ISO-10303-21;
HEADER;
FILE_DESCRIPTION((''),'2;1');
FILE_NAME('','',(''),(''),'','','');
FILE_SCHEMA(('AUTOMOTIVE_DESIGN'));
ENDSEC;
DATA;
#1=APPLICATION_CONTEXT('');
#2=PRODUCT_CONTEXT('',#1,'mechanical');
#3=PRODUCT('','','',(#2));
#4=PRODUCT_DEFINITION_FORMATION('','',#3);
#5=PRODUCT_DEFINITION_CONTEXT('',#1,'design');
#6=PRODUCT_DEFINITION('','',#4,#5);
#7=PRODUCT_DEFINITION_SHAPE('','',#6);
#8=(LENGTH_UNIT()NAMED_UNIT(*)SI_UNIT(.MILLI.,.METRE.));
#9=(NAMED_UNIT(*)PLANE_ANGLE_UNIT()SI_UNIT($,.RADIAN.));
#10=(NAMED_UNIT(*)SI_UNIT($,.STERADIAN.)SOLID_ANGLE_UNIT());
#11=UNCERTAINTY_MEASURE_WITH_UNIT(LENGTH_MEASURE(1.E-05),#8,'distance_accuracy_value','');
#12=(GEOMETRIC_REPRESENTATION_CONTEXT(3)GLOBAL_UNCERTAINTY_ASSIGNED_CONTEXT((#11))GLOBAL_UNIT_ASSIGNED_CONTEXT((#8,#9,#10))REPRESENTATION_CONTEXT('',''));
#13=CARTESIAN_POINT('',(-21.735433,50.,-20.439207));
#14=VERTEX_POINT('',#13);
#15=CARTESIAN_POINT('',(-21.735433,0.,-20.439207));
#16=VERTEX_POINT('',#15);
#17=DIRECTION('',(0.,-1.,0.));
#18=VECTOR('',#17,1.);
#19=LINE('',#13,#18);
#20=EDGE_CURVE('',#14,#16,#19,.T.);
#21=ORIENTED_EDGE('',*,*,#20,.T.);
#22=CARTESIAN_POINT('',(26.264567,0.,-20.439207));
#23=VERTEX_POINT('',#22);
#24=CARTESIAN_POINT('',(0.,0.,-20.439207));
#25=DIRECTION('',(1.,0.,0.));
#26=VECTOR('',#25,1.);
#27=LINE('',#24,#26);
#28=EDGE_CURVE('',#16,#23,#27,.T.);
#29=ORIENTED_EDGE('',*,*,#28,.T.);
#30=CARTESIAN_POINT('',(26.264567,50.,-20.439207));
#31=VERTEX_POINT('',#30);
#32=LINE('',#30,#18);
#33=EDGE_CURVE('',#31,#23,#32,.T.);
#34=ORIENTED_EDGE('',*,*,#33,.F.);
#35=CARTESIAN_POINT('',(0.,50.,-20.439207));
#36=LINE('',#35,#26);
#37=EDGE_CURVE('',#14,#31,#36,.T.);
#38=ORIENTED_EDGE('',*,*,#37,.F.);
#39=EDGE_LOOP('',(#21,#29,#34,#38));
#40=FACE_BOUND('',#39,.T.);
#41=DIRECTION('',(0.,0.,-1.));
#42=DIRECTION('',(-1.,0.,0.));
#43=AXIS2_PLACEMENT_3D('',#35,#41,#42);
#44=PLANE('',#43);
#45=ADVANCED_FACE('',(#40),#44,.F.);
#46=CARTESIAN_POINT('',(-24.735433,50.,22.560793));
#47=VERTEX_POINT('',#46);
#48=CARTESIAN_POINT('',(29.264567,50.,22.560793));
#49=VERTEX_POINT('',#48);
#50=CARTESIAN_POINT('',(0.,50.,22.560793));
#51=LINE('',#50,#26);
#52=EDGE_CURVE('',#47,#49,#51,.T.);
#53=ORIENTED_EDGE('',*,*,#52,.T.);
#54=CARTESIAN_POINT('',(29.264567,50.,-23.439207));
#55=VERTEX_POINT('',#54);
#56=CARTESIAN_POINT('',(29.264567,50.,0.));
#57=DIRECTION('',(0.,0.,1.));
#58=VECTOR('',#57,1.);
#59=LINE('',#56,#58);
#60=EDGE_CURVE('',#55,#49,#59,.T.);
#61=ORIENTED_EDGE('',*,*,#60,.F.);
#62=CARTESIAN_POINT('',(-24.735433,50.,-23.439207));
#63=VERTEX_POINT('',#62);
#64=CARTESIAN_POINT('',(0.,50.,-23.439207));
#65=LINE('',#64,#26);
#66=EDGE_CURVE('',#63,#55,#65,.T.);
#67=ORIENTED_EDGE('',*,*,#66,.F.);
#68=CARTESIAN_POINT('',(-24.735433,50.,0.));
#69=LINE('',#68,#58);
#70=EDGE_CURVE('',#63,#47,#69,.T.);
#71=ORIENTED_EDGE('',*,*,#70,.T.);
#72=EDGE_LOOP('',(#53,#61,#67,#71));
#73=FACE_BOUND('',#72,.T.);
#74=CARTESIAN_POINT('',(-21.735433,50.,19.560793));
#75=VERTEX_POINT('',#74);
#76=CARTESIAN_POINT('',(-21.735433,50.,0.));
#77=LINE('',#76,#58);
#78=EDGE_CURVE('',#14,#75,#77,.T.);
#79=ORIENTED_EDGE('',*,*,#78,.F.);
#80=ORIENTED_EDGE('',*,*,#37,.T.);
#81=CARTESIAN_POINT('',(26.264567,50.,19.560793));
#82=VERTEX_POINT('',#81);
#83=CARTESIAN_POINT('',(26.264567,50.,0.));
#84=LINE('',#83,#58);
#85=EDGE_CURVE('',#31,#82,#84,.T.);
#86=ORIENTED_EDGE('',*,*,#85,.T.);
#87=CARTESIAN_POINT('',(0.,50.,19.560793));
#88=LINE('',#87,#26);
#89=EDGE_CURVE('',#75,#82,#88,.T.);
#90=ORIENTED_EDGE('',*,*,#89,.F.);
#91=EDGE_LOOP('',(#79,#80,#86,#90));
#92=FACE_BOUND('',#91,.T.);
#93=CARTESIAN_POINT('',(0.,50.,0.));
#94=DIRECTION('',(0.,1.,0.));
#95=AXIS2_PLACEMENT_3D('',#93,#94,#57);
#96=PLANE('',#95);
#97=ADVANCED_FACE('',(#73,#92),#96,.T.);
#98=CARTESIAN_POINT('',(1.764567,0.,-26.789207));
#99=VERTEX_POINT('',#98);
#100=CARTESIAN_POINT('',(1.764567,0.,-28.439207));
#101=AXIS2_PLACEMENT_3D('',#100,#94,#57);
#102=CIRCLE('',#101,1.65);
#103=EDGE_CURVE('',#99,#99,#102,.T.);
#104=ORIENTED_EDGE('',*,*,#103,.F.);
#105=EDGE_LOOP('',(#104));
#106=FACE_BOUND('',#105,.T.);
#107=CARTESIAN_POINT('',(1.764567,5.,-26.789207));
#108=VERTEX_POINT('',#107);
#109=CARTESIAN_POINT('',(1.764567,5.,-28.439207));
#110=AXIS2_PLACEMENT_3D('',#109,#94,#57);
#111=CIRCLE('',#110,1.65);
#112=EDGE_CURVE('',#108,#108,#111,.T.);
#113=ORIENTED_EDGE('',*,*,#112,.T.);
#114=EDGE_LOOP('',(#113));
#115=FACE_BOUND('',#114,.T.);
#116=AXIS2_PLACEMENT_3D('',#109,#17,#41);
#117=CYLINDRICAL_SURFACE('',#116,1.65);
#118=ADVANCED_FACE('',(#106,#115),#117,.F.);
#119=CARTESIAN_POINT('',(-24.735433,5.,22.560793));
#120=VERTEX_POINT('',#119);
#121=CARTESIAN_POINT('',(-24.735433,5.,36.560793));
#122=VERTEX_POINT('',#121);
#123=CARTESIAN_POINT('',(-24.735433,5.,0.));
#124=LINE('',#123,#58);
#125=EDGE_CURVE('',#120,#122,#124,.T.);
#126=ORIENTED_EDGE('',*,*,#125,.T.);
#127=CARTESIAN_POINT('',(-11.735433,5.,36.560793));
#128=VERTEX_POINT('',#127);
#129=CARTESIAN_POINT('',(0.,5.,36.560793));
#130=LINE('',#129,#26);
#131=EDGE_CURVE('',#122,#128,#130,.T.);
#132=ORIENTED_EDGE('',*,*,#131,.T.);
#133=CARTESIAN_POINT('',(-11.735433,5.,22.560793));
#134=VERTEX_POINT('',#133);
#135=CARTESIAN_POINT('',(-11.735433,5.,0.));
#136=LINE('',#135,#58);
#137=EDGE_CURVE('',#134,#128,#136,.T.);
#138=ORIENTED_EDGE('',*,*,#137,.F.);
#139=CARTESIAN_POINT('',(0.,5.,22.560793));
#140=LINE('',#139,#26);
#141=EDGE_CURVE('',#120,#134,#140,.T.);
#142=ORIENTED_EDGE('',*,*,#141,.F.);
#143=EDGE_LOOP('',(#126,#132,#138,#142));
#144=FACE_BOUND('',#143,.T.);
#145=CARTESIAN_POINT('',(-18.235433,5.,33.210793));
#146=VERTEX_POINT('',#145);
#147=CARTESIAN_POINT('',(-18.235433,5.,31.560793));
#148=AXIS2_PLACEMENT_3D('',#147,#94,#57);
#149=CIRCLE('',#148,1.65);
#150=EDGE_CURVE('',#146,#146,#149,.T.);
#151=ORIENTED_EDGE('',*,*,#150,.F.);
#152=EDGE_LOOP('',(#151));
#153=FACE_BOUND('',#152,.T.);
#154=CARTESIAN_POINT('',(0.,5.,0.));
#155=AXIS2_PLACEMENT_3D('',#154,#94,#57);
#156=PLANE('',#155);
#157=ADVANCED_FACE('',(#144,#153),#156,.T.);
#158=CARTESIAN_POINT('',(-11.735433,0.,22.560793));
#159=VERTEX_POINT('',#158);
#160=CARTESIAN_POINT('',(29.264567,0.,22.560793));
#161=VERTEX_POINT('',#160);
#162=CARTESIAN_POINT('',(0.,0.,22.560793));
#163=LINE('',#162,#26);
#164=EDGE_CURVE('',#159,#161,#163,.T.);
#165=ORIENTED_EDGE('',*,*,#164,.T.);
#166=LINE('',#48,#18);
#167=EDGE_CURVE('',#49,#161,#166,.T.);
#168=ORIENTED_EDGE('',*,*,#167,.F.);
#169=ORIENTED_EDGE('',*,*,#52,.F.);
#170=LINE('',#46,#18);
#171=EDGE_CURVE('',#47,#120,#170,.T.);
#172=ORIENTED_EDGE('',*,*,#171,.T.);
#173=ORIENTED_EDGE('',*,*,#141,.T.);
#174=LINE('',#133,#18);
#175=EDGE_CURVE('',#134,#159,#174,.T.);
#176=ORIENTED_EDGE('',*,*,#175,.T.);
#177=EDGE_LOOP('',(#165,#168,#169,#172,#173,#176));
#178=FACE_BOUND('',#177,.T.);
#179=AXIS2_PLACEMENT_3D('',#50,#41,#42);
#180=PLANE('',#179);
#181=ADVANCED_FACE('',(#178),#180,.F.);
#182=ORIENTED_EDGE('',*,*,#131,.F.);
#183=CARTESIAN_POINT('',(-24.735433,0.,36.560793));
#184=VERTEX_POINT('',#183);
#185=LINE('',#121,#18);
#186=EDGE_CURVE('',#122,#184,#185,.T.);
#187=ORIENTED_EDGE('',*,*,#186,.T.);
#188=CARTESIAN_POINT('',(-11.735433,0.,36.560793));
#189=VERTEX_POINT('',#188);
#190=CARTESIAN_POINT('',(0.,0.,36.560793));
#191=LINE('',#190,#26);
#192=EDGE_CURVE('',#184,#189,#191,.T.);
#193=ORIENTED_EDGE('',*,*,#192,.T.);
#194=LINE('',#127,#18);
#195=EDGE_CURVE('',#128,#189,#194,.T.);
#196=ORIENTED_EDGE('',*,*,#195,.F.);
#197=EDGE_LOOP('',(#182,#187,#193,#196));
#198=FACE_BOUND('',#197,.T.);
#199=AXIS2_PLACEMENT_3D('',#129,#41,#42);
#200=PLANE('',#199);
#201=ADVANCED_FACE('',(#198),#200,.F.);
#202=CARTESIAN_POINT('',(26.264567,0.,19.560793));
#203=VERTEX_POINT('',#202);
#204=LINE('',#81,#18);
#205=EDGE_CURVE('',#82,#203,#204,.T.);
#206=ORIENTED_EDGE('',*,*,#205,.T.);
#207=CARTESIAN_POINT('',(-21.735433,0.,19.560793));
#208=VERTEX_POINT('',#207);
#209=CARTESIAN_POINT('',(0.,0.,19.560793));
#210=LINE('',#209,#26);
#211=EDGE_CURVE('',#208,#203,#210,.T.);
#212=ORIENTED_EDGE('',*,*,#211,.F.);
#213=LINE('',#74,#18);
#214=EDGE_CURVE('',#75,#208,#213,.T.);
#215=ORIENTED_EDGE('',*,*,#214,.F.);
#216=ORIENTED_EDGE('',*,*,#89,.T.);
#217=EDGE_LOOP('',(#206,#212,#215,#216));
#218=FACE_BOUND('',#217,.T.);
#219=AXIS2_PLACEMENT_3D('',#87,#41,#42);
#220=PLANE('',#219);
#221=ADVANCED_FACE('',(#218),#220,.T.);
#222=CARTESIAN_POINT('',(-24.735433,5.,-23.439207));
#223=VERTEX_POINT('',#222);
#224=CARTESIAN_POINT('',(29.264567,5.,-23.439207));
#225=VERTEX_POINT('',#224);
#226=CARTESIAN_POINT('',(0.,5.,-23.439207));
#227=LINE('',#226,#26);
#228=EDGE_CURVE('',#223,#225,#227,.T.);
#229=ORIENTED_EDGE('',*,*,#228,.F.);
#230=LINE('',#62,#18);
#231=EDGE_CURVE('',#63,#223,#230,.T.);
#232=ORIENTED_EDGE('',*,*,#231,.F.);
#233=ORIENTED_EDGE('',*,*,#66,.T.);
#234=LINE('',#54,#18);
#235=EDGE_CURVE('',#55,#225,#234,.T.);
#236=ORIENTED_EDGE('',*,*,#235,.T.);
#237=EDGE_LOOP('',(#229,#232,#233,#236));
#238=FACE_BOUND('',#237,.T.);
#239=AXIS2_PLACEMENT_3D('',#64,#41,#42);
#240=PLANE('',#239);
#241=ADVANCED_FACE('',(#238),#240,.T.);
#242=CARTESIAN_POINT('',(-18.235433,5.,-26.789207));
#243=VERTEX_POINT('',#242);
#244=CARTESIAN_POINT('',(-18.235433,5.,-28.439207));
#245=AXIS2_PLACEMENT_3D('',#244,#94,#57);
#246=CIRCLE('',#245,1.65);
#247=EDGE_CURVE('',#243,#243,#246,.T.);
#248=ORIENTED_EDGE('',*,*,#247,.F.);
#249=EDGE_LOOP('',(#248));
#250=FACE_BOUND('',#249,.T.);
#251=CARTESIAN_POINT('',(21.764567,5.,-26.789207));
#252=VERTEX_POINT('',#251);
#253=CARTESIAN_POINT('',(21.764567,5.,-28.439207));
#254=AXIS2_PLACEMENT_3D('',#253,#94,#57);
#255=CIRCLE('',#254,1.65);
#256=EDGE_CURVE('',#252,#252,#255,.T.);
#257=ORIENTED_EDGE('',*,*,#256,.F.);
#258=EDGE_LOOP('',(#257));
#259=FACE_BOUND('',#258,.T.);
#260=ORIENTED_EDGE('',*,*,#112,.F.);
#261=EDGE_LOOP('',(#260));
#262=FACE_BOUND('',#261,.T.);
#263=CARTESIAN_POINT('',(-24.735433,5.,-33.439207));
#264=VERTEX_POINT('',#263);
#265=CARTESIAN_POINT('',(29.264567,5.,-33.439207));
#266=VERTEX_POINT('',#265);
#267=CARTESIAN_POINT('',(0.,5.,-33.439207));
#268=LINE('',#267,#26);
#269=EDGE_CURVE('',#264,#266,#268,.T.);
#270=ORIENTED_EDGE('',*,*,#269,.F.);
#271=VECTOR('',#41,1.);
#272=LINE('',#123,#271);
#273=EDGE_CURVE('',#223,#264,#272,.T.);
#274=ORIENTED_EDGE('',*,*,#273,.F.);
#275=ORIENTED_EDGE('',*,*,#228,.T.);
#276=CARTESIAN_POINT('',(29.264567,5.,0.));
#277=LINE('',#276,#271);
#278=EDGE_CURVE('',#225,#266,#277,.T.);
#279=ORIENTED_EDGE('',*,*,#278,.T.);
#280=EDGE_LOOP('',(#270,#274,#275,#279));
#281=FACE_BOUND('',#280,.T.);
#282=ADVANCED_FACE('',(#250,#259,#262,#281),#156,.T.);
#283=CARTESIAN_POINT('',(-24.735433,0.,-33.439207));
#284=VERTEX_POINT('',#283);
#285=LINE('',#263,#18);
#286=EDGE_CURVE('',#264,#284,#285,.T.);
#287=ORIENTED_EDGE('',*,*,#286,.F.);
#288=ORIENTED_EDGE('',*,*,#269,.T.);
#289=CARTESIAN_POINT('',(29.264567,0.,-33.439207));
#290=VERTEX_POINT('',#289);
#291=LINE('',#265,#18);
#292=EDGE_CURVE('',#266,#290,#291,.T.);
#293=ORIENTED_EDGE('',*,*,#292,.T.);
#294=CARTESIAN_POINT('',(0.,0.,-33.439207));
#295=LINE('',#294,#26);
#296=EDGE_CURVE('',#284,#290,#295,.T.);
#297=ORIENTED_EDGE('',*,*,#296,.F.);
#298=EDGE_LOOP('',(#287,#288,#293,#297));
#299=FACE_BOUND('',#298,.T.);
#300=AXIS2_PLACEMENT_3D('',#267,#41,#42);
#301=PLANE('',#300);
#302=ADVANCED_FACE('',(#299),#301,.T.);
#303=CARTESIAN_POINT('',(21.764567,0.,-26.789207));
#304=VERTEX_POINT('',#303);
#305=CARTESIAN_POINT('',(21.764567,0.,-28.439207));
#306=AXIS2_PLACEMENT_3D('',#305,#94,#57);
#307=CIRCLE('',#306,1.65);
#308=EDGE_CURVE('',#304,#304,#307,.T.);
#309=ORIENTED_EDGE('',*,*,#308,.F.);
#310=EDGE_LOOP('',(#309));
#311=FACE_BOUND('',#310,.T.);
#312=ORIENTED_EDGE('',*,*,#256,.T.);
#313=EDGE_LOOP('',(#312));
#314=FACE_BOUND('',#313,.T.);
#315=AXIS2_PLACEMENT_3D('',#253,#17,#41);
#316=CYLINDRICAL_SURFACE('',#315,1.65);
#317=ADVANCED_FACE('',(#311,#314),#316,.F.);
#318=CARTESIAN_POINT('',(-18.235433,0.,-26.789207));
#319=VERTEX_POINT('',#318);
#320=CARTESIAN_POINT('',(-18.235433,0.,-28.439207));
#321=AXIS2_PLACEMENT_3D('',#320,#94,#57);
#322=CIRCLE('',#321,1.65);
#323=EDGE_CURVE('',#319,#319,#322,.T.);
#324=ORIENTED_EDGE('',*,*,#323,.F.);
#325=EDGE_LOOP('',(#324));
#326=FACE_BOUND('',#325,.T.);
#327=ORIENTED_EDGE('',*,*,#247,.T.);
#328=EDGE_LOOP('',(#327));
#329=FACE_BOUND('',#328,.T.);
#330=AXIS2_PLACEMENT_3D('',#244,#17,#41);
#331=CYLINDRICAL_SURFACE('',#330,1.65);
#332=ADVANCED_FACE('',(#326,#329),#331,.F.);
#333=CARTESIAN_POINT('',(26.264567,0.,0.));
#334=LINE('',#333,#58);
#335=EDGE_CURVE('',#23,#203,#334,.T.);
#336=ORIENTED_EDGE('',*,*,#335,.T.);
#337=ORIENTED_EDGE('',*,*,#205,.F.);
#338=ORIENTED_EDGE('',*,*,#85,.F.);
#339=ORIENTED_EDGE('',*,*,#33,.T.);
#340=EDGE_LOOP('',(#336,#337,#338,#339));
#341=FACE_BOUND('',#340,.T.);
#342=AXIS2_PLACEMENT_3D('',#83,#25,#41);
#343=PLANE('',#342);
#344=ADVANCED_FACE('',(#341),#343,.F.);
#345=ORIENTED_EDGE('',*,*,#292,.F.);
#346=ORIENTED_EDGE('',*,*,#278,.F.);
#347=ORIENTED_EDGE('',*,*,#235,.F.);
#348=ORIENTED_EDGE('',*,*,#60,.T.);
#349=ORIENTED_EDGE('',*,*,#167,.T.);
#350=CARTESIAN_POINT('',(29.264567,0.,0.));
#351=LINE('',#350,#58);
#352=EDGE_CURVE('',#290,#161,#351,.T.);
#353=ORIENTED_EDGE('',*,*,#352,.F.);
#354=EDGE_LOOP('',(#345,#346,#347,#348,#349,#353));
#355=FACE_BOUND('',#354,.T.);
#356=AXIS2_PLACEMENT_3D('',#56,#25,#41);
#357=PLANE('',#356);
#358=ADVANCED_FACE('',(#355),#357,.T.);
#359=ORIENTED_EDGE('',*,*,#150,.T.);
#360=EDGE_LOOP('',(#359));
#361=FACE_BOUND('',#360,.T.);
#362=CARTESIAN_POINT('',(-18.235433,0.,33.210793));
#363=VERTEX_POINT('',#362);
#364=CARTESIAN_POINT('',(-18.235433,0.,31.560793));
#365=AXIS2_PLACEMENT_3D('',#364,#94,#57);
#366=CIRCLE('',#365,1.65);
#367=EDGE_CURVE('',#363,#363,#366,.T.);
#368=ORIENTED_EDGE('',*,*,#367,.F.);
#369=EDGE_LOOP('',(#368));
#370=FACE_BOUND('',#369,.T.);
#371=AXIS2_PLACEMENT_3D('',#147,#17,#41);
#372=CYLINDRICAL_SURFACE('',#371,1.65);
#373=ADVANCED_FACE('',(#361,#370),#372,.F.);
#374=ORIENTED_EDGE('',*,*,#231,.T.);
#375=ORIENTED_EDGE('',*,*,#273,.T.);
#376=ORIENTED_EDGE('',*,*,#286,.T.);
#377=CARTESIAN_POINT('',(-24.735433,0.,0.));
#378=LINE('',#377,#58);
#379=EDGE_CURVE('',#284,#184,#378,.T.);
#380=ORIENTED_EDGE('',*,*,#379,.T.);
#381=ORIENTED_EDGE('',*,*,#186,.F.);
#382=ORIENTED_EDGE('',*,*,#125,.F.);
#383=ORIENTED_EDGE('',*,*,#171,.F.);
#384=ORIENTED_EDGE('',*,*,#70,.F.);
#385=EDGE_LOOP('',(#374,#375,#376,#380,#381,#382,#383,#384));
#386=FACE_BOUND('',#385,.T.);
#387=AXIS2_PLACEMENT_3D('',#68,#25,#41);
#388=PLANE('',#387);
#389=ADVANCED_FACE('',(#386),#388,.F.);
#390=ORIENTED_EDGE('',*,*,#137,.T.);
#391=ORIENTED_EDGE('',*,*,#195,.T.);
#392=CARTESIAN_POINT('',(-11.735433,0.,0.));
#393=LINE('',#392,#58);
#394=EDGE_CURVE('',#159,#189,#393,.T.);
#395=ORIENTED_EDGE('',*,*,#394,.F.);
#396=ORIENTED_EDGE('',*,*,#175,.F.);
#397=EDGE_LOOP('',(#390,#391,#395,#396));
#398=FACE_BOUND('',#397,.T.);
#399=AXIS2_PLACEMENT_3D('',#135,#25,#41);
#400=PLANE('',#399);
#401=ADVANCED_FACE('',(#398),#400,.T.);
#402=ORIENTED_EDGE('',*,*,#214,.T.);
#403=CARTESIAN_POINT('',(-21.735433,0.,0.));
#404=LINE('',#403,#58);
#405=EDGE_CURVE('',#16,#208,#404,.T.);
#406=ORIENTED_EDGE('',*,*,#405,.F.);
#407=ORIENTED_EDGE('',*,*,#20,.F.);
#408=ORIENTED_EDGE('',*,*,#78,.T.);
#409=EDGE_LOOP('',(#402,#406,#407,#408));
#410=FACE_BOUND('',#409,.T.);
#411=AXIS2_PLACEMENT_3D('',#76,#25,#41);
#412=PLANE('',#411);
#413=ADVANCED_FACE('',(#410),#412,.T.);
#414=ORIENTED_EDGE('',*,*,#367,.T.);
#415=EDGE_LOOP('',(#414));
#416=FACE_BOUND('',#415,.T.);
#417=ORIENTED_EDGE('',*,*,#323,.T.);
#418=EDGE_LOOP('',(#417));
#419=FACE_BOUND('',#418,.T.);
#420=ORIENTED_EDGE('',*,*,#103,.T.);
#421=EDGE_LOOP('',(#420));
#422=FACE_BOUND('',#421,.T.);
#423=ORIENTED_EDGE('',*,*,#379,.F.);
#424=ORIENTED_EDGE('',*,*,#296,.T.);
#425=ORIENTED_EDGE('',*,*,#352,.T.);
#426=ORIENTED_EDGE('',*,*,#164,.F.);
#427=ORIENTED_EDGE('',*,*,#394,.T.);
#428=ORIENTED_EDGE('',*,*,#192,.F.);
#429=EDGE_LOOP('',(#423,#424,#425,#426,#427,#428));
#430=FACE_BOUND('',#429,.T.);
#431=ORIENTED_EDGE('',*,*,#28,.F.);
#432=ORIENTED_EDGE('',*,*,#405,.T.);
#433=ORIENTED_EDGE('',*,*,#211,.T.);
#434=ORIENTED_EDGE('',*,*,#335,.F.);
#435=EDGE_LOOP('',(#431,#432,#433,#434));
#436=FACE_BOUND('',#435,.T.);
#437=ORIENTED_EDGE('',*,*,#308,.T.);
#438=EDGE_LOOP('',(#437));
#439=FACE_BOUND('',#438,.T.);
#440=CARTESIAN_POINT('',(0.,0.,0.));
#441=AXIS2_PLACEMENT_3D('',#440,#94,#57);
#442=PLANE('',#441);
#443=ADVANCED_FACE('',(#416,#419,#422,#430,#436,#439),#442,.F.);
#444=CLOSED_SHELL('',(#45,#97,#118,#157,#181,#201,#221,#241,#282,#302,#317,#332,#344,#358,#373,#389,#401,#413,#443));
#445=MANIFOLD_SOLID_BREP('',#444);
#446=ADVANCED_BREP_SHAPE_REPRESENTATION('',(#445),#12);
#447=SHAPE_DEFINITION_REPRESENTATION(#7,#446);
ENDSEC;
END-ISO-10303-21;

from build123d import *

# Parameters (mm, degrees)
SKETCH1_W           = 54
SKETCH1_H           = 46
SKETCH1_W_2         = 48
SKETCH1_H_2         = 40
BOSS_EXTRUDE1_DEPTH = 50
SKETCH2_W           = 54
SKETCH2_H           = 10
SKETCH2_R           = 1.65
SKETCH2_W_2         = 13
SKETCH2_H_2         = 14
BOSS_EXTRUDE2_DEPTH = 5


with BuildPart() as part:
    # Sketch1 → Boss-Extrude1 (new body)
    with BuildSketch(Plane(origin=(0, 0, 0), x_dir=(1, 0, 0), z_dir=(0, 1, 0))):
        with Locations((2.264566872, 0.439206794)):
            Rectangle(SKETCH1_W, SKETCH1_H)
        with Locations((2.264566872, 0.439206794)):
            Rectangle(SKETCH1_W_2, SKETCH1_H_2, mode=Mode.SUBTRACT)
    extrude(amount=BOSS_EXTRUDE1_DEPTH)

    # Sketch2 → Boss-Extrude2 (add)
    # profile 1 of 2: a face of its own
    with BuildSketch(Plane(origin=(0, 0, 0), x_dir=(1, 0, 0), z_dir=(0, 1, 0))):
        with Locations((2.264566872, 28.439206794)):
            Rectangle(SKETCH2_W, SKETCH2_H)
        with Locations(Location((-18.235433128, 28.439206794, 0), (0, 0, 270))):
            Circle(SKETCH2_R, mode=Mode.SUBTRACT)
        with Locations(Location((1.764566872, 28.439206794, 0), (0, 0, 270))):
            Circle(SKETCH2_R, mode=Mode.SUBTRACT)
        with Locations(Location((21.764566872, 28.439206794, 0), (0, 0, 270))):
            Circle(SKETCH2_R, mode=Mode.SUBTRACT)
    # profile 2 of 2: a face of its own
    with BuildSketch(Plane(origin=(0, 0, 0), x_dir=(1, 0, 0), z_dir=(0, 1, 0))):
        with Locations((-18.235433128, -29.560793206)):
            Rectangle(SKETCH2_W_2, SKETCH2_H_2)
        with Locations(Location((-18.235433128, -31.560793206, 0), (0, 0, 270))):
            Circle(SKETCH2_R, mode=Mode.SUBTRACT)
    extrude(amount=BOSS_EXTRUDE2_DEPTH)


solid = part.part
